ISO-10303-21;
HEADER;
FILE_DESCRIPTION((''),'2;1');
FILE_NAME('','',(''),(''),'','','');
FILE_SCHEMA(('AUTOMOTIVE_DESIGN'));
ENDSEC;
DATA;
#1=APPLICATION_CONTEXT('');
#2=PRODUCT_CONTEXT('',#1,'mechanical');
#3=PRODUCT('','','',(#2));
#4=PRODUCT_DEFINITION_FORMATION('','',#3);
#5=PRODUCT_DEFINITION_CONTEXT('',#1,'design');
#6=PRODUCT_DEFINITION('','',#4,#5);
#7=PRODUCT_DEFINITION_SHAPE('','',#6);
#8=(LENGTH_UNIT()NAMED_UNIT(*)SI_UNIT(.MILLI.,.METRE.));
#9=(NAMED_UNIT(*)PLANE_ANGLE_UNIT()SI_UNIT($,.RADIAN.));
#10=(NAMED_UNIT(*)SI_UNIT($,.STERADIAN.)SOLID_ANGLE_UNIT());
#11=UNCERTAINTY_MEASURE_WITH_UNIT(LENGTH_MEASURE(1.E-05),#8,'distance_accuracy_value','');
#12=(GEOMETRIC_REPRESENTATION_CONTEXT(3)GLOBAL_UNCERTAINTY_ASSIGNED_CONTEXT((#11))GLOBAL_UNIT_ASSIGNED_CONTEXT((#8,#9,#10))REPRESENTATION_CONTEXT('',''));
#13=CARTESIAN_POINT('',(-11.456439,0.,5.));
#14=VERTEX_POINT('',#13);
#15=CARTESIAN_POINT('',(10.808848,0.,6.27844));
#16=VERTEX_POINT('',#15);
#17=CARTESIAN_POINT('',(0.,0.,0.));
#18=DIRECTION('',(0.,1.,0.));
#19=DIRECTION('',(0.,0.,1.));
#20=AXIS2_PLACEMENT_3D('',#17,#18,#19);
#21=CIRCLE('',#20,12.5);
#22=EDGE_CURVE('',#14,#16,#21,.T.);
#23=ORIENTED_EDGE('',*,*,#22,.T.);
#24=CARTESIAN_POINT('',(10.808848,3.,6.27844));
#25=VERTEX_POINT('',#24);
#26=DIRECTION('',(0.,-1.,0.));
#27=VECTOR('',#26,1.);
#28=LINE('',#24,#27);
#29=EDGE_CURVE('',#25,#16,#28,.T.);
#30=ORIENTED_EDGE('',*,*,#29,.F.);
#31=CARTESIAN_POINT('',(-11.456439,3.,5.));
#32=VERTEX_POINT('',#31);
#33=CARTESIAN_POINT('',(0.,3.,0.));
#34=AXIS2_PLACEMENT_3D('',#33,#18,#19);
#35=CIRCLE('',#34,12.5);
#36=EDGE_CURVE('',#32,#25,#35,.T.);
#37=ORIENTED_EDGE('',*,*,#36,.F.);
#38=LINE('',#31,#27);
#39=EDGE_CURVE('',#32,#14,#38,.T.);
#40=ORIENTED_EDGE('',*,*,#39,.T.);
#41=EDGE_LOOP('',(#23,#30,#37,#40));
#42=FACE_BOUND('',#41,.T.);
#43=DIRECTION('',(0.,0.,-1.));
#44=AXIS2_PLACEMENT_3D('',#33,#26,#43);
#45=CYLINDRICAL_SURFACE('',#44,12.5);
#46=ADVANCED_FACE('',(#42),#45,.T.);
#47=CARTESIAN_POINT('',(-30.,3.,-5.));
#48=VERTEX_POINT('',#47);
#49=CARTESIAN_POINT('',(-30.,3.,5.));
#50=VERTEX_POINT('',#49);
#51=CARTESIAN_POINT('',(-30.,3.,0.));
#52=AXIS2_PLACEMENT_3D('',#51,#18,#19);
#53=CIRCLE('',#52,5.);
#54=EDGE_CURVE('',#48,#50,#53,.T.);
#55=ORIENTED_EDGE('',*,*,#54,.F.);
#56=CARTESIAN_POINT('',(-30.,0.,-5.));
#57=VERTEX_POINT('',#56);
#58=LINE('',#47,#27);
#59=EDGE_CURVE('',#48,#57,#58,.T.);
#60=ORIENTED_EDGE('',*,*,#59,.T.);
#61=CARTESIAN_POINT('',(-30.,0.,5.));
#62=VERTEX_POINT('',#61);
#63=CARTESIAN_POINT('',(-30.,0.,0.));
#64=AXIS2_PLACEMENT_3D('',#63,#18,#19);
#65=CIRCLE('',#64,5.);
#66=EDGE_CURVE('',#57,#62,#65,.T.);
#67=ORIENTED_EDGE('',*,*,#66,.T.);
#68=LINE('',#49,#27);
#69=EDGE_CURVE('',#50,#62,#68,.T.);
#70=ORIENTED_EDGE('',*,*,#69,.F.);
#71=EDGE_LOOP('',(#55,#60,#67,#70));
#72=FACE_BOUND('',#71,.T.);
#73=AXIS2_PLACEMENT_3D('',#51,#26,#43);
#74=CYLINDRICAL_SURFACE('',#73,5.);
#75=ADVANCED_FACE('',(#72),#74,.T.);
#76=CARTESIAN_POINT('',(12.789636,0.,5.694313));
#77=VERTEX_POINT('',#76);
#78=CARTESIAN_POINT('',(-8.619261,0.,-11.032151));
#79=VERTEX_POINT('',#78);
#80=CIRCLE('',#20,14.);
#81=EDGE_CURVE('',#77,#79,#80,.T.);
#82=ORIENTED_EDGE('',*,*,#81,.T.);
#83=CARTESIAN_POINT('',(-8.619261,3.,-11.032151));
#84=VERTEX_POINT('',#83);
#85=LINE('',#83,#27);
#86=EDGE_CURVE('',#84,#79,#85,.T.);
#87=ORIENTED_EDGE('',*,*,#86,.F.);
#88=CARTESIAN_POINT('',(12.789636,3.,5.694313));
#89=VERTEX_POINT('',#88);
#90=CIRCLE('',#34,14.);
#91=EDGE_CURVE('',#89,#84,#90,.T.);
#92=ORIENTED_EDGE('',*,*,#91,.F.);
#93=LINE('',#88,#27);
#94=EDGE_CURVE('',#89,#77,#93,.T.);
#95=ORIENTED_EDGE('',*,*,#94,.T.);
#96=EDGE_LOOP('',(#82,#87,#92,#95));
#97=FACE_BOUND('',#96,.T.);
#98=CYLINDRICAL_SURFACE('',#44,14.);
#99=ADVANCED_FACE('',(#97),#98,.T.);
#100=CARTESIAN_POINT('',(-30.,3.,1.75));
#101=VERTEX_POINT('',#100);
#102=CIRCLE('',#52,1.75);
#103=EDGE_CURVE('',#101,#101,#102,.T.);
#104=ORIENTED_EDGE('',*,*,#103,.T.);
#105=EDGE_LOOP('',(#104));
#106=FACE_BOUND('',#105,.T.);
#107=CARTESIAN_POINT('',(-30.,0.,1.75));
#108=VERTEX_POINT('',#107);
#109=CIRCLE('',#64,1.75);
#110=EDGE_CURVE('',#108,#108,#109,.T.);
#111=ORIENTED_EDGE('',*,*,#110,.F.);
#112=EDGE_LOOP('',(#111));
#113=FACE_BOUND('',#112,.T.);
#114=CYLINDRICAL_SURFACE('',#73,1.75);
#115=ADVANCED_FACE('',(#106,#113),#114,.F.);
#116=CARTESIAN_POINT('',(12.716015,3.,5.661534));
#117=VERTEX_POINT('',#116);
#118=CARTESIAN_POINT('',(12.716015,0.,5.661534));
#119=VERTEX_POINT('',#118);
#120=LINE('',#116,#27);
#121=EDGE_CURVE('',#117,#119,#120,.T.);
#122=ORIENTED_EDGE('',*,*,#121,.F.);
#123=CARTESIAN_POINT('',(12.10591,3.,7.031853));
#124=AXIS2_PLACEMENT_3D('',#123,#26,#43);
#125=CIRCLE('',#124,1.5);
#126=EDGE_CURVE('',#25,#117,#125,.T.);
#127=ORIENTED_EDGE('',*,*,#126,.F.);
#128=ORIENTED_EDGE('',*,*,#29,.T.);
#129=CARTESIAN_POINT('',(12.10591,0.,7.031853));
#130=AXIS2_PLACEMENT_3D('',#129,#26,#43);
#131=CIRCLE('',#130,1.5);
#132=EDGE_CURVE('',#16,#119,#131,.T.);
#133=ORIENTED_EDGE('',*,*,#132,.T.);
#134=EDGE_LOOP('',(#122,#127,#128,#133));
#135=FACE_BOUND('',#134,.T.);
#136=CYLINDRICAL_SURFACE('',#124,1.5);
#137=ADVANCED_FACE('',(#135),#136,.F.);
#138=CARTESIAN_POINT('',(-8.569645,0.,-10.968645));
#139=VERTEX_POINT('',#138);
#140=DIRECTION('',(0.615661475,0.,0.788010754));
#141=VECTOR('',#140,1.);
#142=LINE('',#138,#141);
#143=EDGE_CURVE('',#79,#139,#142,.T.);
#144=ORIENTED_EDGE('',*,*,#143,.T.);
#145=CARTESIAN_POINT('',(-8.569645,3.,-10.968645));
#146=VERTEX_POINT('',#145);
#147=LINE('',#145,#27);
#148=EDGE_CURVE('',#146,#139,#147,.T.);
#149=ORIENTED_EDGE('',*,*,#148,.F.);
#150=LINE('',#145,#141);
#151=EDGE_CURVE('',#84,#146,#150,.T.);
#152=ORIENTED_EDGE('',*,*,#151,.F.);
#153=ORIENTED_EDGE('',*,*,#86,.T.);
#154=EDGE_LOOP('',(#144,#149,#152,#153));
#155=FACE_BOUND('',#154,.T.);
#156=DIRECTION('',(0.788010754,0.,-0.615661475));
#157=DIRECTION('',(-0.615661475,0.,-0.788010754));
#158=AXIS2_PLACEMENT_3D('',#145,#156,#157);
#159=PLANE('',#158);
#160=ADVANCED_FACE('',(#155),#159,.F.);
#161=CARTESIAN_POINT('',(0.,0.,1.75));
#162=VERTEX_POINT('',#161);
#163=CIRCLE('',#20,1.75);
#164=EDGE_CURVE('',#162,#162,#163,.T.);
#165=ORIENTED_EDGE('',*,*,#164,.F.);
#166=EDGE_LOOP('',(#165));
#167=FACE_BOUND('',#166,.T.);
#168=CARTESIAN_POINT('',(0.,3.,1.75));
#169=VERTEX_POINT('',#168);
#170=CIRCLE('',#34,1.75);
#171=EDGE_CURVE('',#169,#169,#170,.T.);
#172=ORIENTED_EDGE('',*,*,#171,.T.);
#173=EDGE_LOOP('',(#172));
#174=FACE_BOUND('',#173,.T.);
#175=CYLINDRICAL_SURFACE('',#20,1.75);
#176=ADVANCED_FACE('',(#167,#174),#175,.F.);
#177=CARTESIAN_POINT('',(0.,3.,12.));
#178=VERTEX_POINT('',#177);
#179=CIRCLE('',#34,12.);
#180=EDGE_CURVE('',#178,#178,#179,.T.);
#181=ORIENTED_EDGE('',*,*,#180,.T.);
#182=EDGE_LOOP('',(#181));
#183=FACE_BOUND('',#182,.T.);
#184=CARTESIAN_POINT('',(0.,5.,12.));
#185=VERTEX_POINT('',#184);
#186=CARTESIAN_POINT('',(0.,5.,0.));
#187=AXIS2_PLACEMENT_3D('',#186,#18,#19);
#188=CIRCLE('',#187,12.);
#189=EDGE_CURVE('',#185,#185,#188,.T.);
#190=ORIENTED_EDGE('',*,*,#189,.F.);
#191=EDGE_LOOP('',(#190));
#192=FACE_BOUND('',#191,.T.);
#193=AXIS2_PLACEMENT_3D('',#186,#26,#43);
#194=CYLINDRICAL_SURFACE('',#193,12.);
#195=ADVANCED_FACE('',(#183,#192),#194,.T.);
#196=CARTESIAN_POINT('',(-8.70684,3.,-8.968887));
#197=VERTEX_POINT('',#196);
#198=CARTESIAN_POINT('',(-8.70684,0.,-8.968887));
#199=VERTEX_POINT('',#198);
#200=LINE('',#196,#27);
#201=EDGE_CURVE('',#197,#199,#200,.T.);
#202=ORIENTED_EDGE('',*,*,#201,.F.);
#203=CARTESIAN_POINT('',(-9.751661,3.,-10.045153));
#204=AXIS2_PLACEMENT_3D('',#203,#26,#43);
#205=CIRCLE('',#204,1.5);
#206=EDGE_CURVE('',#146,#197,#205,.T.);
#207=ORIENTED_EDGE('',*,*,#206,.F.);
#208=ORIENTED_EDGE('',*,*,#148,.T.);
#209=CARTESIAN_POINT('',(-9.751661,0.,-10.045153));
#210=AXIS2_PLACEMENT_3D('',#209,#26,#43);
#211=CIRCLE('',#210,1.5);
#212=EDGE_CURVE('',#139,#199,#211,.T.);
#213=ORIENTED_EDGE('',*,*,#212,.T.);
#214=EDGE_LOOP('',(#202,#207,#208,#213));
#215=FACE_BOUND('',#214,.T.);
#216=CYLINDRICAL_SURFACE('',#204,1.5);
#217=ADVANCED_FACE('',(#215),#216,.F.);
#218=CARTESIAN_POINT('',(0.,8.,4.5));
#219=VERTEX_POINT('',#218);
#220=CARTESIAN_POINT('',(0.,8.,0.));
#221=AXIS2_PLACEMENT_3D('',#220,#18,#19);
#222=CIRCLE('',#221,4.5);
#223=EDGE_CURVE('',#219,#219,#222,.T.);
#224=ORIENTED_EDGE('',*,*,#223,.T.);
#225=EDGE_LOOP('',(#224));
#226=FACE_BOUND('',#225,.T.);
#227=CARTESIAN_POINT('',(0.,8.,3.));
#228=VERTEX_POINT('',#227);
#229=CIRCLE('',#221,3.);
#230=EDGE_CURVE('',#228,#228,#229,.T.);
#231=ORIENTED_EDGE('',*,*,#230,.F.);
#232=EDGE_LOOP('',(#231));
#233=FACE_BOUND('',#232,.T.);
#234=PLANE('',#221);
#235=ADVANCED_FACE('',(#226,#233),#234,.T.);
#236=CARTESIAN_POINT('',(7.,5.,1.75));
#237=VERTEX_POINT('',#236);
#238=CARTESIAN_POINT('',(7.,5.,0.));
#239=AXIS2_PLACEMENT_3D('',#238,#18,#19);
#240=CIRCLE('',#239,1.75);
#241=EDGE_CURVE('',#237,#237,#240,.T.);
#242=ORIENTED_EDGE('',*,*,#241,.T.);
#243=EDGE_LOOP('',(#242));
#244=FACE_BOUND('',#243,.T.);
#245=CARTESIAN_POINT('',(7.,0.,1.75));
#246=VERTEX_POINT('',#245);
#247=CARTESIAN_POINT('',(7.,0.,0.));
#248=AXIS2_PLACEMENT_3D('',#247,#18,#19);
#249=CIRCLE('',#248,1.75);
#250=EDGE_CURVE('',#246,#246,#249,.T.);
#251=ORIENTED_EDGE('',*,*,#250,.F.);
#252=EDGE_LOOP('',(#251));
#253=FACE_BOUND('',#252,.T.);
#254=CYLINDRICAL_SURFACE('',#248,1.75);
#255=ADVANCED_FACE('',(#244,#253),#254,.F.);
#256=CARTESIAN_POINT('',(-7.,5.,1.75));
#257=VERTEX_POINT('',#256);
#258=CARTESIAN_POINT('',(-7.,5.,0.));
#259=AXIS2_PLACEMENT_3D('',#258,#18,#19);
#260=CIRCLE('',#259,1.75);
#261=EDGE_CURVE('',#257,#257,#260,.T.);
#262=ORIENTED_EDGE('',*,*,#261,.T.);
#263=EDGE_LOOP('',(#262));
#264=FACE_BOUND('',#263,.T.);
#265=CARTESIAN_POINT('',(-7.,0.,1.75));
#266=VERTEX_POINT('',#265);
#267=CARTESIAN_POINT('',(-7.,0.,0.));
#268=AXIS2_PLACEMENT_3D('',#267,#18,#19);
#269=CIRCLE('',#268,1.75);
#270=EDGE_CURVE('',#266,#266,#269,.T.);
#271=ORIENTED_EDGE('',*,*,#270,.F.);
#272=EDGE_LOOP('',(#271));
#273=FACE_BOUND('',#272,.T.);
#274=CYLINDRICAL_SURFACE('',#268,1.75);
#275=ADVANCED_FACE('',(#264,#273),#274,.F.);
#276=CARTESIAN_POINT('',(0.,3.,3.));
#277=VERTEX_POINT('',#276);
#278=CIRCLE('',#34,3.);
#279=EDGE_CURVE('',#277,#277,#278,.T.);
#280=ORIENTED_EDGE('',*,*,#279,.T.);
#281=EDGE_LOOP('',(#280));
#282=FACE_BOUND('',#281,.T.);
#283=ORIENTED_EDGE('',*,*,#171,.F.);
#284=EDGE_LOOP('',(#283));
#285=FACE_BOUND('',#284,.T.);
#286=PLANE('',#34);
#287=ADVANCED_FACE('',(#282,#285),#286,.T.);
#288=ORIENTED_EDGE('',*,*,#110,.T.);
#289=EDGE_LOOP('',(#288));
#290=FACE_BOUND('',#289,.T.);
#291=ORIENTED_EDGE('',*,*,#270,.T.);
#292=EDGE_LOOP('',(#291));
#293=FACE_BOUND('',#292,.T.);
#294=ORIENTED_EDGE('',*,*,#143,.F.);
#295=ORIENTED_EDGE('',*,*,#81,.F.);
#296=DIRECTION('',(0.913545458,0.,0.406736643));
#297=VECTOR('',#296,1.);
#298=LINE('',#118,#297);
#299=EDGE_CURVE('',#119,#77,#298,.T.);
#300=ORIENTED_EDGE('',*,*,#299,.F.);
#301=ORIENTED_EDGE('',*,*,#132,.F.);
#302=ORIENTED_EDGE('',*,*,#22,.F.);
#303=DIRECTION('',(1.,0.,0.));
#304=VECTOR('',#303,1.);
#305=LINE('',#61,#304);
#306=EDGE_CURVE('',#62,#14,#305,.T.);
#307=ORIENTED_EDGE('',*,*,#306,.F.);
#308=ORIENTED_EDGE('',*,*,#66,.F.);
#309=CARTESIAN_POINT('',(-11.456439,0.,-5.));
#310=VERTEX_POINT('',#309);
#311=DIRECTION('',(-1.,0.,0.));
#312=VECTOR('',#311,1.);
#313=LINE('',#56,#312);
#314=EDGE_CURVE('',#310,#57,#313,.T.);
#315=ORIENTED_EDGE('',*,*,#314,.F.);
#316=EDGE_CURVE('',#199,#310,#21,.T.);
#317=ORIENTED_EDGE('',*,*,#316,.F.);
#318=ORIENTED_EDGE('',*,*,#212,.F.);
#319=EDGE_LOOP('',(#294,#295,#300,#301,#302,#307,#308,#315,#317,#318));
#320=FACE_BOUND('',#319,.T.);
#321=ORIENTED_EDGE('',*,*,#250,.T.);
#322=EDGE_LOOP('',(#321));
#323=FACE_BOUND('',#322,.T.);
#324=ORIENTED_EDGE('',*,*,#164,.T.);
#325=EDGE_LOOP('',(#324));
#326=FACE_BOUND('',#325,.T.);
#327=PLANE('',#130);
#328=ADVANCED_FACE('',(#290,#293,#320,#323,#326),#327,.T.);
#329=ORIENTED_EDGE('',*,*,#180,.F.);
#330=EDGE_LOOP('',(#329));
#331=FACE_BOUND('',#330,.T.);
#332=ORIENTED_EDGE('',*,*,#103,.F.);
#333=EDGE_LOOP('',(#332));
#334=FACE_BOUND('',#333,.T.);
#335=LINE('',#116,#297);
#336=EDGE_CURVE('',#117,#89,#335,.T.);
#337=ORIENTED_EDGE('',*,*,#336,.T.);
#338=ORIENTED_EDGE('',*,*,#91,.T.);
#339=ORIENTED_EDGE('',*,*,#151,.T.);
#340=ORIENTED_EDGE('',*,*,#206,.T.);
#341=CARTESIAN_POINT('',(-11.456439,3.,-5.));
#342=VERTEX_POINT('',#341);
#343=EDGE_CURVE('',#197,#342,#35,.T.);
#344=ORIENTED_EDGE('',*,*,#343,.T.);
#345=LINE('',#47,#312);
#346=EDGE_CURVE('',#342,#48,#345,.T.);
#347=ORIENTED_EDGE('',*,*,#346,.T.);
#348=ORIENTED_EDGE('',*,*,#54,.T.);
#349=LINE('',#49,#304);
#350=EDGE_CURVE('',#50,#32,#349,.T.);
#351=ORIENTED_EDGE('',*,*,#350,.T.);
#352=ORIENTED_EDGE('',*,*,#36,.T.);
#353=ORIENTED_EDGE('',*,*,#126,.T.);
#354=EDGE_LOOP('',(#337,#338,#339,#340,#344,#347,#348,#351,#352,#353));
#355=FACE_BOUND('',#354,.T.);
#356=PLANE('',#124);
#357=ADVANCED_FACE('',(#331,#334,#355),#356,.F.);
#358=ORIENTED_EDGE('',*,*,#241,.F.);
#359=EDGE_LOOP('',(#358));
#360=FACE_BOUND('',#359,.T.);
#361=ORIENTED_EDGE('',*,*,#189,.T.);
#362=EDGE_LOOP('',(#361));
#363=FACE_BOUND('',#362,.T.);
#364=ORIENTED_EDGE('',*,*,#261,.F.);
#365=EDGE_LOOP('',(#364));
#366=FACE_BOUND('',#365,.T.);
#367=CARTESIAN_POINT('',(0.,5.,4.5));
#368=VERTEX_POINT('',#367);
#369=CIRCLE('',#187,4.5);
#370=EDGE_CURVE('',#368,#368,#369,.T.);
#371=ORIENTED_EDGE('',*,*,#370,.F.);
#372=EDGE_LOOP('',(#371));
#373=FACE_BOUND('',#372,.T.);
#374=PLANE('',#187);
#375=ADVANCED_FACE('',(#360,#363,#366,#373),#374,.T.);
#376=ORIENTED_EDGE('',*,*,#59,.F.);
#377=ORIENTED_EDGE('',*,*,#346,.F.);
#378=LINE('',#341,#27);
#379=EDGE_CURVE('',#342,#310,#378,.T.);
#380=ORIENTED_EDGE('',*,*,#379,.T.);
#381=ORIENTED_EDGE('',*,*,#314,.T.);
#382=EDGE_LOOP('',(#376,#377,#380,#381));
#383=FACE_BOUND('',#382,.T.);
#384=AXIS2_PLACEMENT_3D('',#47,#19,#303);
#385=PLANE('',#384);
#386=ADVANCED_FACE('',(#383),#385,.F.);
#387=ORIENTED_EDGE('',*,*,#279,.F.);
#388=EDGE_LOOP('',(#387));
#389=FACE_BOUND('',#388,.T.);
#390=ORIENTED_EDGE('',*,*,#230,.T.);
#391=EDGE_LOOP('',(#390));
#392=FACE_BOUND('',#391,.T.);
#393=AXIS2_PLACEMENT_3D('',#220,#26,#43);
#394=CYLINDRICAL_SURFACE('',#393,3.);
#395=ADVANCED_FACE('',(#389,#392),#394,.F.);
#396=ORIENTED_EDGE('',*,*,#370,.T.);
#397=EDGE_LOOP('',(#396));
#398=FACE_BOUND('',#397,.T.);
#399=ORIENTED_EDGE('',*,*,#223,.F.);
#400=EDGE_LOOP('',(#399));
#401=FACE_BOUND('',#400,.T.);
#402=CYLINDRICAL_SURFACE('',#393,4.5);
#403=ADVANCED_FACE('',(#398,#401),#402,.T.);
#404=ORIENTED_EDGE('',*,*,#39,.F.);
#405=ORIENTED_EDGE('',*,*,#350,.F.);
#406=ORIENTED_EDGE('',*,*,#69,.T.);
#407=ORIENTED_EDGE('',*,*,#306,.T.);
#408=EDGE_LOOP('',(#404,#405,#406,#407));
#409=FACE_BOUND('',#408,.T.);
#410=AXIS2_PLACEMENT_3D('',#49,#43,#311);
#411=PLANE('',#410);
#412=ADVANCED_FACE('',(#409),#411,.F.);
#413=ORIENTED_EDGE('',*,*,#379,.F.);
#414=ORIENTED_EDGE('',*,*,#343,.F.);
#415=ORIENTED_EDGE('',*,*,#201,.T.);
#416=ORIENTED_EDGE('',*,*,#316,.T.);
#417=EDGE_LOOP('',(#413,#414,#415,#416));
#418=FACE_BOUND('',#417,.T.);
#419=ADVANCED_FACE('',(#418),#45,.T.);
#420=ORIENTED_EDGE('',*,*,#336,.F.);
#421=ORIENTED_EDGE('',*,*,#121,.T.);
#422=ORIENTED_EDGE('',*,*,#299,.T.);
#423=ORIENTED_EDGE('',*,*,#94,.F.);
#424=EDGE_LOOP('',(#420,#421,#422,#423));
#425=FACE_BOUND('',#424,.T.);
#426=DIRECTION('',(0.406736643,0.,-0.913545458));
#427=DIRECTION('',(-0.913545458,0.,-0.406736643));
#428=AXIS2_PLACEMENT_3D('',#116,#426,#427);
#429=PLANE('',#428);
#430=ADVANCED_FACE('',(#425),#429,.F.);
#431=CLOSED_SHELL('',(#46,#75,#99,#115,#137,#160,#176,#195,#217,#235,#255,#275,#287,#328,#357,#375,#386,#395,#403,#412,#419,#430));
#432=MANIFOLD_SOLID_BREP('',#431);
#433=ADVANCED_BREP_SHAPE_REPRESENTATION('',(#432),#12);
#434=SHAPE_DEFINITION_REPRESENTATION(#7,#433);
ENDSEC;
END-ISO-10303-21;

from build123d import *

# Parameters (mm, degrees)
SKETCH_1_R          = 1.75
EXTRUDE_1_DEPTH     = 3
SKETCH_2_R          = 12
EXTRUDE_2_DEPTH     = 2
SKETCH_3_R          = 4.5
SKETCH_3_R_2        = 3
EXTRUDE_3_DEPTH     = 3
SKETCH_4_R          = 3
CUT_EXTRUDE_1_DEPTH = 2
SKETCH_5_R          = 1.75
CUT_EXTRUDE_2_DEPTH = 9


with BuildPart() as part:
    # Эскиз1 → Бобышка-Вытянуть1 (new body)
    with BuildSketch(Plane(origin=(0, 0, 0), x_dir=(1, 0, 0), z_dir=(0, 1, 0))):
        with BuildLine():
            Line((-30, 5), (-11.456439237, 5))
            ThreePointArc((-11.456439237, 5), (-10.2750901, 7.118463559), (-8.706840344, 8.968886844))
            ThreePointArc((-8.706840344, 8.968886844), (-8.255178852, 9.942485712), (-8.569645055, 10.968645479))
            Line((-8.569645055, 10.968645479), (-8.619260655, 11.03215055))
            ThreePointArc((-8.619260655, 11.03215055), (8.619260655, 11.03215055), (12.789636407, -5.694313003))
            Line((12.789636407, -5.694313003), (12.716014607, -5.661534466))
            ThreePointArc((12.716014607, -5.661534466), (11.644259912, -5.604659769), (10.808847895, -6.278439868))
            ThreePointArc((10.808847895, -6.278439868), (-0.716551297, -12.47944527), (-11.456439237, -5))
            Line((-11.456439237, -5), (-30, -5))
            ThreePointArc((-30, -5), (-35, 0), (-30, 5))
        make_face()
        with Locations((-30, 0)):
            Circle(SKETCH_1_R, mode=Mode.SUBTRACT)
    extrude(amount=EXTRUDE_1_DEPTH)

    # Эскиз2 → Бобышка-Вытянуть2 (add)
    with BuildSketch(Plane(origin=(0, 3, 0), x_dir=(1, 0, 0), z_dir=(0, 1, 0))):
        Circle(SKETCH_2_R)
    extrude(amount=EXTRUDE_2_DEPTH)

    # Эскиз3 → Бобышка-Вытянуть3 (add)
    with BuildSketch(Plane(origin=(0, 5, 0), x_dir=(1, 0, 0), z_dir=(0, 1, 0))):
        Circle(SKETCH_3_R)
        Circle(SKETCH_3_R_2, mode=Mode.SUBTRACT)
    extrude(amount=EXTRUDE_3_DEPTH)

    # Эскиз4 → Вырез-Вытянуть1 (cut)
    with BuildSketch(Plane(origin=(0, 5, 0), x_dir=(1, 0, 0), z_dir=(0, 1, 0))):
        Circle(SKETCH_4_R)
    extrude(amount=-CUT_EXTRUDE_1_DEPTH, mode=Mode.SUBTRACT)

    # Эскиз5 → Вырез-Вытянуть2 (cut, through all)
    with BuildSketch(Plane(origin=(0, 8, 0), x_dir=(1, 0, 0), z_dir=(0, 1, 0))):
        Circle(SKETCH_5_R)
        with Locations((-7, 0)):
            Circle(SKETCH_5_R)
        with Locations((7, 0)):
            Circle(SKETCH_5_R)
    extrude(amount=-CUT_EXTRUDE_2_DEPTH, mode=Mode.SUBTRACT)


solid = part.part
